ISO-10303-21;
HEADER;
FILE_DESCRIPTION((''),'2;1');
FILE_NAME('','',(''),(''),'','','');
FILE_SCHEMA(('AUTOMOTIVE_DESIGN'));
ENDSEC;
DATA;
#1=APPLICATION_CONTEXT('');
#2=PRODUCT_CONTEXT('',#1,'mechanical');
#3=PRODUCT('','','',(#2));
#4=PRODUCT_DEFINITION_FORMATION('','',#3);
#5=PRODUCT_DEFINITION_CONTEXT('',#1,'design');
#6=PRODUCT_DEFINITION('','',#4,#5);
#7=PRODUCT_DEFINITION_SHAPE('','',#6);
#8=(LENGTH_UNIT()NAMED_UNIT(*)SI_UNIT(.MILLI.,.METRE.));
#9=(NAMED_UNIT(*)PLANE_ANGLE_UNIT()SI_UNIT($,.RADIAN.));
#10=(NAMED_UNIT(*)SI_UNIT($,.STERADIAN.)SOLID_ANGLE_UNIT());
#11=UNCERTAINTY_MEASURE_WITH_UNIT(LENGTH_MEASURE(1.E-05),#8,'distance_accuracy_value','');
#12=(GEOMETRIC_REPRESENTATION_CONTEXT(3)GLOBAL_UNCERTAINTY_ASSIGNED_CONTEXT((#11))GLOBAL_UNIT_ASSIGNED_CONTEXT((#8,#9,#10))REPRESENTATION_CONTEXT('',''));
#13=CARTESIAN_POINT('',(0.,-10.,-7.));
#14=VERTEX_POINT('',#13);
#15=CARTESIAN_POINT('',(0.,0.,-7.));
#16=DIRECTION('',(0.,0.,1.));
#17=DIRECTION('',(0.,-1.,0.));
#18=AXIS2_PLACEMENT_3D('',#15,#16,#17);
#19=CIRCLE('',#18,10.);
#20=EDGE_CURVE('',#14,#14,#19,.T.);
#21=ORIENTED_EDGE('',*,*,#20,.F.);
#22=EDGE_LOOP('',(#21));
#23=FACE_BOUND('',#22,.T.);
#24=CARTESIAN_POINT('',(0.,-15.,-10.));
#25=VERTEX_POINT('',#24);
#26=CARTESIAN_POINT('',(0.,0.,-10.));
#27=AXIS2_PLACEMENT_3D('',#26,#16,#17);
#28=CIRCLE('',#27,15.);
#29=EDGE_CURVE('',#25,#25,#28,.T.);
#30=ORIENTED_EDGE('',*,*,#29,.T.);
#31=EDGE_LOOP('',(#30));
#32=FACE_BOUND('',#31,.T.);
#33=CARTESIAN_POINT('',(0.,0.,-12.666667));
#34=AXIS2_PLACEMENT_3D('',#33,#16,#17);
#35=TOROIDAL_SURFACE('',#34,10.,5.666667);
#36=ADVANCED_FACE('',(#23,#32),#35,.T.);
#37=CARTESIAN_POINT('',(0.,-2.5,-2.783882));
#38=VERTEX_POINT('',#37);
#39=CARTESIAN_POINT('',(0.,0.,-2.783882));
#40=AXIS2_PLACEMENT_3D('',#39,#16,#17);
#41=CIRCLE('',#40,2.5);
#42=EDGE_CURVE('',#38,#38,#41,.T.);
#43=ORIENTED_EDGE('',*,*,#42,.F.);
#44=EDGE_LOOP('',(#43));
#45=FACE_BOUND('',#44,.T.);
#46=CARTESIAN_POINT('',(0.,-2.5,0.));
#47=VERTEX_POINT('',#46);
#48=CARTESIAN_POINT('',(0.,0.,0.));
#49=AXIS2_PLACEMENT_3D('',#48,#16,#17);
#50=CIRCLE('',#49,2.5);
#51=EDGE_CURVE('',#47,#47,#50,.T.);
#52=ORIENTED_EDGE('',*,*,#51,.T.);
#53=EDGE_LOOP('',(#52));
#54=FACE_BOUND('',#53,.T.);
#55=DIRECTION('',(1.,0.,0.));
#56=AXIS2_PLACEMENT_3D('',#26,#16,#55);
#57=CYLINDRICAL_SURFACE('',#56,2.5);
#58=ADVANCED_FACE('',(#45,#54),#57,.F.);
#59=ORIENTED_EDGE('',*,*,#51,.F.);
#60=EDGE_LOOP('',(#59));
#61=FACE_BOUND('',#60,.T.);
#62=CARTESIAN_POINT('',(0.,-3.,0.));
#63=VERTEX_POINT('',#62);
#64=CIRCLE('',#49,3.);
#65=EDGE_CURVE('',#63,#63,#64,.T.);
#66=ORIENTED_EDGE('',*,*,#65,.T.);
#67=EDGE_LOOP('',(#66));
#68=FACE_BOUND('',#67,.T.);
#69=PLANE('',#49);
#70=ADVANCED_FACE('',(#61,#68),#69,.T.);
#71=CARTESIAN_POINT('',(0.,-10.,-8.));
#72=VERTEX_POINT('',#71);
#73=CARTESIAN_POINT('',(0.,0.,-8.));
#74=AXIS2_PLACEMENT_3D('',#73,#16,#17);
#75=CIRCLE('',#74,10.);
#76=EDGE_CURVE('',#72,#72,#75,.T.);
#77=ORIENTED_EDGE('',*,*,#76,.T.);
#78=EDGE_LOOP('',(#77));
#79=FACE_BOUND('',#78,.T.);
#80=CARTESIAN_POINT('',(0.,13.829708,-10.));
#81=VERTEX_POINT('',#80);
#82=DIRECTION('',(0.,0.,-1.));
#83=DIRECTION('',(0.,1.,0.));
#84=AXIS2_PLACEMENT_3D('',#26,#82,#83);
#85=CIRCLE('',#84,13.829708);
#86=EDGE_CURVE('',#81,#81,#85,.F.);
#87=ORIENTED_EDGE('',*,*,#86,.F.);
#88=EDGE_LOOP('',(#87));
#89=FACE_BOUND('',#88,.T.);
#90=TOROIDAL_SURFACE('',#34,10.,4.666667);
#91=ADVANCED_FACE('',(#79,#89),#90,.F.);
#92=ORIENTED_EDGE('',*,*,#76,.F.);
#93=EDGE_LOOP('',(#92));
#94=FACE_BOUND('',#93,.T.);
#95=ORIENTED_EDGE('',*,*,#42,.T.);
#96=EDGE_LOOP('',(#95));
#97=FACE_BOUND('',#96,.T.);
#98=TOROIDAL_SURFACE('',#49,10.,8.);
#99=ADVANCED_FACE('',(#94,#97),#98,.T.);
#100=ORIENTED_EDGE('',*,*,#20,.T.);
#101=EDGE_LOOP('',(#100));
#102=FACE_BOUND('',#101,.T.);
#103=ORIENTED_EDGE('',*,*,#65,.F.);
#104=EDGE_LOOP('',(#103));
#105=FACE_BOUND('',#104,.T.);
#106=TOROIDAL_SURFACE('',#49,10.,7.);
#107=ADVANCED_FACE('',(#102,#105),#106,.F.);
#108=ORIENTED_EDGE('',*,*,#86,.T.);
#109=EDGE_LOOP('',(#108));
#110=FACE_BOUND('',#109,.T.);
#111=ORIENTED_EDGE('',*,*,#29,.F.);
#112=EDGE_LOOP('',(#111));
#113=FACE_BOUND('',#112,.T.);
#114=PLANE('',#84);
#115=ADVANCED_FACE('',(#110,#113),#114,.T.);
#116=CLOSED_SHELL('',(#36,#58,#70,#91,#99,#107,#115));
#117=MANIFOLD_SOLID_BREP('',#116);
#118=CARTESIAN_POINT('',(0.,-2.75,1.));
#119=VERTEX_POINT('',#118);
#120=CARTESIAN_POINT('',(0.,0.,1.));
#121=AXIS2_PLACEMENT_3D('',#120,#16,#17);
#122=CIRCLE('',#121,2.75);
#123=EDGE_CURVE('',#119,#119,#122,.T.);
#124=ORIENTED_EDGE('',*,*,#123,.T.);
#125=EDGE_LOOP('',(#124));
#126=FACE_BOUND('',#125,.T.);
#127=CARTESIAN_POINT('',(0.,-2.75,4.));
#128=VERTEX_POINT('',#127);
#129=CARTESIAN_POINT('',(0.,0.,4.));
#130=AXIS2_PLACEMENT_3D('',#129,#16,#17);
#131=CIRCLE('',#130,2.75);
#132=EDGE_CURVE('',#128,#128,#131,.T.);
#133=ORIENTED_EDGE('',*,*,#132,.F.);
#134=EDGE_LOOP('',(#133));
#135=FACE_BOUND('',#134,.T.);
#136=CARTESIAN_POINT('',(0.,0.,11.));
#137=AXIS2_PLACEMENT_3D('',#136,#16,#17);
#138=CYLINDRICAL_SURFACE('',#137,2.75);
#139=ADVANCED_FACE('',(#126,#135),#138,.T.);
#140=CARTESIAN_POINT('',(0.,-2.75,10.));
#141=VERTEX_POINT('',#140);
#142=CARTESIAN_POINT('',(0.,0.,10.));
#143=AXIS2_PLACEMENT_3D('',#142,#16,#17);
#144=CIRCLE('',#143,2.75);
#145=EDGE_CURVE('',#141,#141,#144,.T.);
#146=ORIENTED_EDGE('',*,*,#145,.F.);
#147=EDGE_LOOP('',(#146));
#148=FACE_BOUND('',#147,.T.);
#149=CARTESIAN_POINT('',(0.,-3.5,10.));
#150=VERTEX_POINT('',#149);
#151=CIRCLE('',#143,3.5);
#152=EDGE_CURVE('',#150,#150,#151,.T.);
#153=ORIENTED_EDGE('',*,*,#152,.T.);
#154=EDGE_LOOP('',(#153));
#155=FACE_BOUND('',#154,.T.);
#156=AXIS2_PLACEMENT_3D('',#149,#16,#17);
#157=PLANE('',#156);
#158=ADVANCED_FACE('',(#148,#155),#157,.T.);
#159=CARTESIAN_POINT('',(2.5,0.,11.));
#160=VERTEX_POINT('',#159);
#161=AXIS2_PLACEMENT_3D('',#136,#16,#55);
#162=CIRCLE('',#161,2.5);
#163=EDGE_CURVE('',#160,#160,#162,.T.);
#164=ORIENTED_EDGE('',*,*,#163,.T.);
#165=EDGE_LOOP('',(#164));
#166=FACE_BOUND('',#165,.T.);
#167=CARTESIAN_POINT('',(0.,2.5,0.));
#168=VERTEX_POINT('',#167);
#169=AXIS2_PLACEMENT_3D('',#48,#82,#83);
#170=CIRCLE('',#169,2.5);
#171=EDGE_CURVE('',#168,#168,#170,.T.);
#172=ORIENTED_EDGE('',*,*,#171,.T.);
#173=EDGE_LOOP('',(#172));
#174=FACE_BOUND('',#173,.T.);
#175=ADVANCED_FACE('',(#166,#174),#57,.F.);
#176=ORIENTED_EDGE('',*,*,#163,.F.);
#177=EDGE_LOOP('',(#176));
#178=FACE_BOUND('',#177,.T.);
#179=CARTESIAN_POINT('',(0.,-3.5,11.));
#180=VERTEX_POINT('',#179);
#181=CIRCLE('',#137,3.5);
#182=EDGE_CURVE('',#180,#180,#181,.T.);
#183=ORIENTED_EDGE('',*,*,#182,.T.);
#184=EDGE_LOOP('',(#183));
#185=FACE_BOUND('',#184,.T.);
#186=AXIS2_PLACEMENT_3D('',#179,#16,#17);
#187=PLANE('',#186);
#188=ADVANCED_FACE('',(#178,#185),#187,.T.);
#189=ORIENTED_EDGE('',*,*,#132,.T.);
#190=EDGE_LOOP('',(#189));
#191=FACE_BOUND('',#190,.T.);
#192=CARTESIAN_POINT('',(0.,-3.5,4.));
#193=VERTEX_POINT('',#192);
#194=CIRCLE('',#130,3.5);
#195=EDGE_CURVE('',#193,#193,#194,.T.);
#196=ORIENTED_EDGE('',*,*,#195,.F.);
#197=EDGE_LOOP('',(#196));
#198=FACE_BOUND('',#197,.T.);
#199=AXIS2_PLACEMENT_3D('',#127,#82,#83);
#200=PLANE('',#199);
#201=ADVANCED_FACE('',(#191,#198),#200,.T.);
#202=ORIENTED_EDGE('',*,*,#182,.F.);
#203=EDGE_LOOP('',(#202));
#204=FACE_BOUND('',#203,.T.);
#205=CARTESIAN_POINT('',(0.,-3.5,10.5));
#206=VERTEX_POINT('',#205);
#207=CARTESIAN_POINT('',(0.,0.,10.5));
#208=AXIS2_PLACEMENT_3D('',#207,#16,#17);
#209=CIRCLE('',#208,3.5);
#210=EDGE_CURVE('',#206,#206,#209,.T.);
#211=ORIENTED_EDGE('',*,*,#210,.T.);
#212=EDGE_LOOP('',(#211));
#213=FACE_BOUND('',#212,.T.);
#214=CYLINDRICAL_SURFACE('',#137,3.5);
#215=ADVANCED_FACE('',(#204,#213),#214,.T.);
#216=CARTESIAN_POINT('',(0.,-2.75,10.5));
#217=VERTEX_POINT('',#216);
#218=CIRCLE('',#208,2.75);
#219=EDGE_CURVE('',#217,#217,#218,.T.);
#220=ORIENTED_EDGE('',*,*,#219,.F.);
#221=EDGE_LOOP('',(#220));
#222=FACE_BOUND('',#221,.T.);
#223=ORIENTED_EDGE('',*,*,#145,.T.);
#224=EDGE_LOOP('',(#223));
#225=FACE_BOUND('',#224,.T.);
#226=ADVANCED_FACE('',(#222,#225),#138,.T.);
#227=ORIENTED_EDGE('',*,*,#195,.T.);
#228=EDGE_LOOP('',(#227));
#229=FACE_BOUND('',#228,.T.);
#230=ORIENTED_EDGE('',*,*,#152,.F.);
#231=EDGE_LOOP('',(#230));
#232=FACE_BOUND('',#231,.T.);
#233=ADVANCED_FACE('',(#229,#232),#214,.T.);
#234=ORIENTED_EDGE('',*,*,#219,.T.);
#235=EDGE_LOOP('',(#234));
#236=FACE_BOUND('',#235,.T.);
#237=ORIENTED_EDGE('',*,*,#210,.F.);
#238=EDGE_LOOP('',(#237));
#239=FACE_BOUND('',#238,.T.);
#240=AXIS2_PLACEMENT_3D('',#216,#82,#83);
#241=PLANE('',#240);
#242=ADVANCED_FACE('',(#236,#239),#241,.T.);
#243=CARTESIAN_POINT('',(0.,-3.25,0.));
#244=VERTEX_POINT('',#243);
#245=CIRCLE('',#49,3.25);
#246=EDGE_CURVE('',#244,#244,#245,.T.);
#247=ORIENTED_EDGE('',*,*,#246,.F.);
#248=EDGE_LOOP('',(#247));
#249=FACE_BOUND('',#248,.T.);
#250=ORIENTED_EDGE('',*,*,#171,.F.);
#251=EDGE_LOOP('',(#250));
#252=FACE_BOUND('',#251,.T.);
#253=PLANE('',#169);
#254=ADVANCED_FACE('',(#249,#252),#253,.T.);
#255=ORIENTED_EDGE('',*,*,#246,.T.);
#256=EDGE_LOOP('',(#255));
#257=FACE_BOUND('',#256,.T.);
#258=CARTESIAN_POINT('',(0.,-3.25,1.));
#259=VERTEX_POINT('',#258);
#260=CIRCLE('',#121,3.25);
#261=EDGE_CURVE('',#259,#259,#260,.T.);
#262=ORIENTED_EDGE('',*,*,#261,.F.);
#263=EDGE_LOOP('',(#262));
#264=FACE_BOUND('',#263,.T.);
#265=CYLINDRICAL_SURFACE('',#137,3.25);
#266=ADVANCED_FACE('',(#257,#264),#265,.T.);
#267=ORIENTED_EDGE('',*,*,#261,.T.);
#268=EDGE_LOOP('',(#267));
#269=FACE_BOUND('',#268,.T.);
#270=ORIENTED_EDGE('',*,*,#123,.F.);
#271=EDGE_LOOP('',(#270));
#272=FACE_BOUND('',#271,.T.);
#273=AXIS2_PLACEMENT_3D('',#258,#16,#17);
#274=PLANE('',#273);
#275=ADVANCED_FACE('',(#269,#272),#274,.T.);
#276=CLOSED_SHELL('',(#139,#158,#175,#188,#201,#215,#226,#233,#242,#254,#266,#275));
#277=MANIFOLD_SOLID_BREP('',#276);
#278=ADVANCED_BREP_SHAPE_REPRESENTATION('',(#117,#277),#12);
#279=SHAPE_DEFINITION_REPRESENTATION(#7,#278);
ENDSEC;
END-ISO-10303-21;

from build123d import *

# Parameters (mm, degrees)
SHELL1_T                = -1
CUT_EXTRUDE1_DEPTH      = 24.895606291
CUT_EXTRUDE1_DEPTH_BACK = 24.895606291
SKETCH3_R               = 2.5


with BuildPart() as part:
    # Sketch1 → Revolve1 (revolve)
    with BuildSketch(Plane.YZ):
        with BuildLine():
            Line((0, -10), (-15, -10))
            ThreePointArc((-15, -10), (-12.915475947, -7.807540088), (-10, -7))
            ThreePointArc((-10, -7), (-5.050252532, -4.949747468), (-3, 0))
            Line((-3, 0), (0, 0))
            Line((0, 0), (0, -10))
        make_face()
    revolve(axis=Axis((0, 0, 0), (0, 0, -1)))

    # Shell1
    shell1_openings = [part.faces().sort_by_distance(p)[0] for p in [
        (0, 0, -10),
    ]]
    offset(amount=SHELL1_T, openings=shell1_openings, kind=Kind.INTERSECTION)


with BuildPart() as body_2:
    # Sketch2 → Revolve2 (revolve)
    with BuildSketch(Plane.YZ):
        Polygon((0, 0), (-3.25, 0), (-3.25, 1), (-2.75, 1), (-2.75, 4), (-3.5, 4), (-3.5, 10), (-2.75, 10), (-2.75, 10.5), (-3.5, 10.5), (-3.5, 11), (0, 11), align=None)
    revolve(axis=Axis((0, 0, 11), (0, 0, -1)))


with BuildPart() as cut_extrude1_tool:
    # Sketch3 → Cut-Extrude1 (new, two sides: drawn at the far end of the back side and taken through both)
    with BuildSketch(Plane(origin=(0, 0, 0), x_dir=(0, 1, 0), z_dir=(0, 0, 1)).offset(-CUT_EXTRUDE1_DEPTH_BACK)):
        with Locations(Location((0, 0, 0), (0, 0, 270))):
            Circle(SKETCH3_R)
    extrude(amount=CUT_EXTRUDE1_DEPTH + CUT_EXTRUDE1_DEPTH_BACK)


with BuildPart() as part_1:
    add(part.part)

    # Cut-Extrude1: cut by cut_extrude1_tool
    add(cut_extrude1_tool.part, mode=Mode.SUBTRACT)


with BuildPart() as body_2_1:
    add(body_2.part)

    # Cut-Extrude1: cut by cut_extrude1_tool
    add(cut_extrude1_tool.part, mode=Mode.SUBTRACT)


solid = Compound([part_1.part, body_2_1.part])
